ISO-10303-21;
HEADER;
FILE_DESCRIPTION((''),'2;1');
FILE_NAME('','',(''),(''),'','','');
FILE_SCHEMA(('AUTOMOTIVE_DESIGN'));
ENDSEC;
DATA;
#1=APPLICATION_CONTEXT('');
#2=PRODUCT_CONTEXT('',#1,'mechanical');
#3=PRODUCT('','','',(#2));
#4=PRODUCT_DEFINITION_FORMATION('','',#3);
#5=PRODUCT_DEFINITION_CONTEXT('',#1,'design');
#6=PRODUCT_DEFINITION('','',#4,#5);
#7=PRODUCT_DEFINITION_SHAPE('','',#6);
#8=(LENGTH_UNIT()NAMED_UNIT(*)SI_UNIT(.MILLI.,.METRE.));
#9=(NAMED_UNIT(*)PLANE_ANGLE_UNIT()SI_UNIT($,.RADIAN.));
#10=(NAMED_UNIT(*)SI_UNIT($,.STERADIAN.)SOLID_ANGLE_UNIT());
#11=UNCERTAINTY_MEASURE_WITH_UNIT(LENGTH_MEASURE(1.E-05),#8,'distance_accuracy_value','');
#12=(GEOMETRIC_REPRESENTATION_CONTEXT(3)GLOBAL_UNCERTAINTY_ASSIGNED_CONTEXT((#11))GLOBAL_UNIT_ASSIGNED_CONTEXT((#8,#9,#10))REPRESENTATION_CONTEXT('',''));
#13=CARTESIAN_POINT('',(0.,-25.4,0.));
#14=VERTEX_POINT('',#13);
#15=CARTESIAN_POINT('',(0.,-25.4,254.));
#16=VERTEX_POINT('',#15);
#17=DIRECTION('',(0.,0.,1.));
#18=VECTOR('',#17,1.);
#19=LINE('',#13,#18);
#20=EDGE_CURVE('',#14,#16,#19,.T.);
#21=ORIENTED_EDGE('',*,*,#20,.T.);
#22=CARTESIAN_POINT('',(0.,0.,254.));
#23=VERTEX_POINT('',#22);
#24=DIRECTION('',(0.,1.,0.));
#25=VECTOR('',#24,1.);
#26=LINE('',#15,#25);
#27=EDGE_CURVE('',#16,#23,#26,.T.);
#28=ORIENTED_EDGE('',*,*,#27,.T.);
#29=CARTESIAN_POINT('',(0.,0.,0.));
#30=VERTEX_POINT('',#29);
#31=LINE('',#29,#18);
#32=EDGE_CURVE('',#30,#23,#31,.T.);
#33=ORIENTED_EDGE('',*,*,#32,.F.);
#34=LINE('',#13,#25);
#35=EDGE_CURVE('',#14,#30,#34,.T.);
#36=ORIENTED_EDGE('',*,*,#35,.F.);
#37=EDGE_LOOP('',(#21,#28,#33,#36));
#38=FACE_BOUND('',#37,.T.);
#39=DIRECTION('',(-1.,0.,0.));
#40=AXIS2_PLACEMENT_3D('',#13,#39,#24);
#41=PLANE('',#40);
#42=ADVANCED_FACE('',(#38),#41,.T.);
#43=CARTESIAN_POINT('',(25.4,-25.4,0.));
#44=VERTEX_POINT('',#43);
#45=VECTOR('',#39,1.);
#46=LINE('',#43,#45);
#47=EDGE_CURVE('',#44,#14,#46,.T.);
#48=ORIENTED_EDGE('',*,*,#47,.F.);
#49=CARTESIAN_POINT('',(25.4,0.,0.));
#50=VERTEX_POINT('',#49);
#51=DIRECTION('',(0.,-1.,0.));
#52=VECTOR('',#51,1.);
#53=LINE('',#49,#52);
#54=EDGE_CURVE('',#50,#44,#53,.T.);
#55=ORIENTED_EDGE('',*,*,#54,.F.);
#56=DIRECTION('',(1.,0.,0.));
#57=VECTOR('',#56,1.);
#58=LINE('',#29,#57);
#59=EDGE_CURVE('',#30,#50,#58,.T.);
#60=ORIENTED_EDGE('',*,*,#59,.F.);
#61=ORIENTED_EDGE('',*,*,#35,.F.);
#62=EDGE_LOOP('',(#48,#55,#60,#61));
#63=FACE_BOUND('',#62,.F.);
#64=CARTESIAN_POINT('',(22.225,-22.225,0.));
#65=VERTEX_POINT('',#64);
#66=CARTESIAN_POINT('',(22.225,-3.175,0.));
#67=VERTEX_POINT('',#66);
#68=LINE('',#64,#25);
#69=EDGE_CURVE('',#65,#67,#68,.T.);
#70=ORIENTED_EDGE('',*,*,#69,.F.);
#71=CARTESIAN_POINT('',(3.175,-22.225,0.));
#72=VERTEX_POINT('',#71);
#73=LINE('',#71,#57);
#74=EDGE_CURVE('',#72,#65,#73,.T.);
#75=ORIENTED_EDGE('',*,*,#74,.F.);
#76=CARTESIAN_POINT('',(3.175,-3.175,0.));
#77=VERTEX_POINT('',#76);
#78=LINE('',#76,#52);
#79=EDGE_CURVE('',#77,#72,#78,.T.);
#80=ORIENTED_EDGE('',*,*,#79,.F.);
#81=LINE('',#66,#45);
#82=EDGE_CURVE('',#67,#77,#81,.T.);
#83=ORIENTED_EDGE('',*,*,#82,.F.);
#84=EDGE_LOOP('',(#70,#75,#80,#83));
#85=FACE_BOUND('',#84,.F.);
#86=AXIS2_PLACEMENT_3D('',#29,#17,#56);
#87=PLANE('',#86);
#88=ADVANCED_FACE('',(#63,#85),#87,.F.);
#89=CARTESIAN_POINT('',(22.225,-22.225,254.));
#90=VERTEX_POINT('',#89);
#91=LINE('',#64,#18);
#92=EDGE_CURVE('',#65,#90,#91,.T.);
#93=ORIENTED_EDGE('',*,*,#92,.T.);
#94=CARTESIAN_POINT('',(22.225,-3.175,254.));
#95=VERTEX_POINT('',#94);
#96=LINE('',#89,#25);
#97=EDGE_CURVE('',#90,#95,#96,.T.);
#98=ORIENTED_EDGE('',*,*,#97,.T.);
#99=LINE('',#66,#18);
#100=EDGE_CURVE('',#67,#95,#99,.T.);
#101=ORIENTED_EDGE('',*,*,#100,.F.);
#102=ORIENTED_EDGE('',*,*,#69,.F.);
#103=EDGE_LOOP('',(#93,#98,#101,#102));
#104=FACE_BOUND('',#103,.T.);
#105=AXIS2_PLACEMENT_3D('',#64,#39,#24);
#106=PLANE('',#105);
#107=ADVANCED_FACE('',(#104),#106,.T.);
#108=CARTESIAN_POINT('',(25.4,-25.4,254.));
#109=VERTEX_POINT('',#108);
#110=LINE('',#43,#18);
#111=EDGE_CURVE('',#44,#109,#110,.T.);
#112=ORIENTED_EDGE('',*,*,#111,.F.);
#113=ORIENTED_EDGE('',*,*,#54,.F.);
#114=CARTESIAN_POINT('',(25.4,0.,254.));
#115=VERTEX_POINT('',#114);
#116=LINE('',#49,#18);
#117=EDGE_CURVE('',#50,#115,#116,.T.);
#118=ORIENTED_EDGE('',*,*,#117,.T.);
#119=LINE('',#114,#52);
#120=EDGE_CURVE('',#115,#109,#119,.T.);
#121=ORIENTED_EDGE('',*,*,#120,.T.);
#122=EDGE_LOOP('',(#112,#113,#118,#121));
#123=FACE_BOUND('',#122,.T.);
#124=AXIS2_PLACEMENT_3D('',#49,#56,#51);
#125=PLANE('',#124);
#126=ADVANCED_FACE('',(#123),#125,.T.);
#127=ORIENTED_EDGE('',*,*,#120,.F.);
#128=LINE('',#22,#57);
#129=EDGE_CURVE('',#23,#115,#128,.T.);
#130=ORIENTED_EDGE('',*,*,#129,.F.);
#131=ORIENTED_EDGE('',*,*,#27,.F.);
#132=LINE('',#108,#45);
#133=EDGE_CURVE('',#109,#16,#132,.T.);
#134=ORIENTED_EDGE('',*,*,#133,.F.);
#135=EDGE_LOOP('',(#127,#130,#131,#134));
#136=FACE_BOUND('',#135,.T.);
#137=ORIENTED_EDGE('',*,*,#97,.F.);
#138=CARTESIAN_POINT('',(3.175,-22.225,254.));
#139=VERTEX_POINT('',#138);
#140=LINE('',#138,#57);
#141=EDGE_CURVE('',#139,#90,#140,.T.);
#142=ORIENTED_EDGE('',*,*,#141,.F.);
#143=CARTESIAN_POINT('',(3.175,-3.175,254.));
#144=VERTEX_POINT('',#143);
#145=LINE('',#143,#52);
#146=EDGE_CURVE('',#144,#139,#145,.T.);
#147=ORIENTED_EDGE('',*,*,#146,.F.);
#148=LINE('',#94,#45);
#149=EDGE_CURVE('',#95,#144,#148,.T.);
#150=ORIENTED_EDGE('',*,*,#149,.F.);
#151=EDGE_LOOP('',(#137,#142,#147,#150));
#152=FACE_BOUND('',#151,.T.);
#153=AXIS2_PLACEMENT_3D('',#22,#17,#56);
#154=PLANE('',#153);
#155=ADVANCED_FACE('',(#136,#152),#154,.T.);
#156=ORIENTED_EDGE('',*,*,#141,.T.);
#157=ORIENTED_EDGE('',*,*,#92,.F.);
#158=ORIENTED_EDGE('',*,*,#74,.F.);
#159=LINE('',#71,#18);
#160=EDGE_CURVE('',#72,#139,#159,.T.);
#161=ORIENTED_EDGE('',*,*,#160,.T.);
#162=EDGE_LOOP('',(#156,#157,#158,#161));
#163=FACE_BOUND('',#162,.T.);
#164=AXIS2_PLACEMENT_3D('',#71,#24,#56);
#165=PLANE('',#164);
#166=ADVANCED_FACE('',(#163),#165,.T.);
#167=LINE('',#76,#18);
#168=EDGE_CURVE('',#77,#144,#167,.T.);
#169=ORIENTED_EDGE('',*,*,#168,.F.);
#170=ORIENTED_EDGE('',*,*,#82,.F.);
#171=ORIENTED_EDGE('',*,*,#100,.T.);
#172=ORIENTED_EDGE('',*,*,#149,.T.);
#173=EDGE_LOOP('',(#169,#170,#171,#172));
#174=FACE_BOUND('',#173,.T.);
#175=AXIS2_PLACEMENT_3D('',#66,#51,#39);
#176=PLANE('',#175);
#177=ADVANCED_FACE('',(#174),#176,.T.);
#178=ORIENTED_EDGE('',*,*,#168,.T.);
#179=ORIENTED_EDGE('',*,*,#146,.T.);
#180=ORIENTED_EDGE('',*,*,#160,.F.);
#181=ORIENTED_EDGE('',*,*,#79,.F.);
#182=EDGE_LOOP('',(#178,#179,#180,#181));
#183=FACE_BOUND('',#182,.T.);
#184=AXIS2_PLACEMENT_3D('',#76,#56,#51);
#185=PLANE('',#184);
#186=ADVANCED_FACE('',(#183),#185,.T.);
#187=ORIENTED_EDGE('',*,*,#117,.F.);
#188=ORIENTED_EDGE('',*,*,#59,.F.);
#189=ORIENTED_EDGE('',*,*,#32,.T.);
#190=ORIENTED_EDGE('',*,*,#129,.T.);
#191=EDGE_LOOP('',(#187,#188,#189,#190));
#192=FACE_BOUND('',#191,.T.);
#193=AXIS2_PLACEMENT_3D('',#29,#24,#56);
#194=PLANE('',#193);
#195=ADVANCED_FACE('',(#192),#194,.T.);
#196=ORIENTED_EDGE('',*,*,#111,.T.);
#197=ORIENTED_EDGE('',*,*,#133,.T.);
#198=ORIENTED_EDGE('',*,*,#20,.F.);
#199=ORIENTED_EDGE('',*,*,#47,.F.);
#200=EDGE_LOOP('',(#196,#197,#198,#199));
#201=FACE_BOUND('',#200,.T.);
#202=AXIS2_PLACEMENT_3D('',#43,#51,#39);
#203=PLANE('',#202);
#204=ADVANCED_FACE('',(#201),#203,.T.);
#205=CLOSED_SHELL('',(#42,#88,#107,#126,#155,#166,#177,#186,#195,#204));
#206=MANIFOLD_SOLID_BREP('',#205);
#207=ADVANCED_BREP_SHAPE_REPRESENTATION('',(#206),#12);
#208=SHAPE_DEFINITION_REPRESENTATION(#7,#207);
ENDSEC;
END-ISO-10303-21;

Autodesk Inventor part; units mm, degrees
ref_plane "YZ Plane" through (0, 0, 0) normal (1, 0, 0) x (0, 1, 0)
ref_plane "XZ Plane" through (0, 0, 0) normal (0, 1, 0) x (-1, 0, 0)
ref_plane "XY Plane" through (0, 0, 0) normal (0, 0, 1) x (1, 0, 0)
sketch "Sketch1" plane through (0, 0, 0) normal (0, 0, 1) x (1, 0, 0)
  line L0 (0, 0) -> (25.4, 0)
  line L1 (25.4, 0) -> (25.4, -25.4)
  line L2 (25.4, -25.4) -> (0, -25.4)
  line L3 (0, -25.4) -> (0, 0)
  line L4 (22.225, -22.225) -> (22.225, -3.175)
  line L5 (22.225, -3.175) -> (3.175, -3.175)
  line L6 (3.175, -3.175) -> (3.175, -22.225)
  line L7 (3.175, -22.225) -> (22.225, -22.225)
  dimension "d0" = 25.4
  dimension "d1" = 25.4
  dimension "d2" = 3.175
extrude "Extrusion1" add sketch "Sketch1" along normal blind 254
properties part number "1x1x10" material "Aluminum 6061"
